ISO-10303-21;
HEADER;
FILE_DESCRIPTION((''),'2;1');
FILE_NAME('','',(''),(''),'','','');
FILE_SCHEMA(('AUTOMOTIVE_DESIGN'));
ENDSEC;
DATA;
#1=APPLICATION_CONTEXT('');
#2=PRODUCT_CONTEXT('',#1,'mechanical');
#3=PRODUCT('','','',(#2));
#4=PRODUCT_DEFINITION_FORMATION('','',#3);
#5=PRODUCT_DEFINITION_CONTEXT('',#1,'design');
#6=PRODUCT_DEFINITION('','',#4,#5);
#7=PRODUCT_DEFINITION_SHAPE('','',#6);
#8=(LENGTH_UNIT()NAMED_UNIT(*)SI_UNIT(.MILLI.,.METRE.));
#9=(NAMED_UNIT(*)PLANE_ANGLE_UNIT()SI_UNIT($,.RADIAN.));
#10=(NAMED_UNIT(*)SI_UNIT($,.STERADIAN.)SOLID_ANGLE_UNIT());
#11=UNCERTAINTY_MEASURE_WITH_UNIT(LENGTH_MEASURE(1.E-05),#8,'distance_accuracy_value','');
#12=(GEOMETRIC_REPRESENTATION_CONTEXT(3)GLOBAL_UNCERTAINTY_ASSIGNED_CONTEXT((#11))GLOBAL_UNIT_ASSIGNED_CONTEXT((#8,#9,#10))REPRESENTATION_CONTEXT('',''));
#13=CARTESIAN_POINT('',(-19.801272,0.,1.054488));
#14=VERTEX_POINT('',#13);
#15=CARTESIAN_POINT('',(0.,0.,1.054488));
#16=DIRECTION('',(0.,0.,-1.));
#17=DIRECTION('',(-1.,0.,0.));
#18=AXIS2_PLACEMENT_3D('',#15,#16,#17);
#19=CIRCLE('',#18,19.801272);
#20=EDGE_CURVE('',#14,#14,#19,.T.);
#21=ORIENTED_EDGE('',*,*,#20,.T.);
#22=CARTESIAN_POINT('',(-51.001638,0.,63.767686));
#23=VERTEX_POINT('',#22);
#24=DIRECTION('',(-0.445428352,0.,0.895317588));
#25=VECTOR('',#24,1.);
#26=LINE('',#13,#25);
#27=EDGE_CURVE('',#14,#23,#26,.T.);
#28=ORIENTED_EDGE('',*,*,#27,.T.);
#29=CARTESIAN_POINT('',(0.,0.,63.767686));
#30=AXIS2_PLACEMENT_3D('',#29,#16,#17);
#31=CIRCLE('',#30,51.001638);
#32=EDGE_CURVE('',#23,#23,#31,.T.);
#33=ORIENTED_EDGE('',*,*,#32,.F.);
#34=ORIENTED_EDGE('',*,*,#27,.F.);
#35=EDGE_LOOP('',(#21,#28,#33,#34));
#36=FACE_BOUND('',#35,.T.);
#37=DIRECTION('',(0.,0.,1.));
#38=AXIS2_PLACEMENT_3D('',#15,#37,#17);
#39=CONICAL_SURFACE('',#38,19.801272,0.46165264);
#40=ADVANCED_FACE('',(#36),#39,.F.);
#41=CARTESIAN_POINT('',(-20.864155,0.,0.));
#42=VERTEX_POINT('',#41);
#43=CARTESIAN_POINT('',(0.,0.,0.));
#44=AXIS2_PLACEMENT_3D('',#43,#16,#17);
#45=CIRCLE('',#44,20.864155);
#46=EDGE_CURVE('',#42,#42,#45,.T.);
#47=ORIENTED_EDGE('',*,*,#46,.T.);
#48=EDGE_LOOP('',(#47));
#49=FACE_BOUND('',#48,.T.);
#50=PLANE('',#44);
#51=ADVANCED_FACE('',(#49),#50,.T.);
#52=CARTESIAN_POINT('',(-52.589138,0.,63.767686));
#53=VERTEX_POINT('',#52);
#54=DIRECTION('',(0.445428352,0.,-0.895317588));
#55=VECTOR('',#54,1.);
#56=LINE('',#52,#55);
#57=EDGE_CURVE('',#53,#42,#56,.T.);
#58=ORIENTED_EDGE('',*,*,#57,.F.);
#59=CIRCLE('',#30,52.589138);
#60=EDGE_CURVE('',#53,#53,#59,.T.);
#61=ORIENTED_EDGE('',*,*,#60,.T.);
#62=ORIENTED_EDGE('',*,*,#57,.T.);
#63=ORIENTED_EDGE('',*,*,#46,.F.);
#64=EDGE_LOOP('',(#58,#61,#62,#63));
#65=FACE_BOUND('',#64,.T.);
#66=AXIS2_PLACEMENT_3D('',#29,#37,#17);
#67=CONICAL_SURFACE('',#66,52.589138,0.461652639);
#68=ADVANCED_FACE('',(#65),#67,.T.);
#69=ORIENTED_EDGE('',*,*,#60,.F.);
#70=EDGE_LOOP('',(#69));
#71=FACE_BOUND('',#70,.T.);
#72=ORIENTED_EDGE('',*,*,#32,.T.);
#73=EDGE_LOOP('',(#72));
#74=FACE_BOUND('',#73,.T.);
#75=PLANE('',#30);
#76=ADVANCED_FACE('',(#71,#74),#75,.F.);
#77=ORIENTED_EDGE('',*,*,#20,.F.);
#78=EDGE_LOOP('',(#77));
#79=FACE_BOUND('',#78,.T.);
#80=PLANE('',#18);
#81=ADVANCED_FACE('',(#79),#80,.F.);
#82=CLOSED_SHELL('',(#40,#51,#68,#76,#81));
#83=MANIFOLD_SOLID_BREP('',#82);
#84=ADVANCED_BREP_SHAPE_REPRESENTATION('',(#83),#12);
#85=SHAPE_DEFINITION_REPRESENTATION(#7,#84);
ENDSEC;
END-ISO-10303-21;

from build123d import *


with BuildPart() as f1:
    # F0 (on Front) → F1 (revolve)
    with BuildSketch(Plane.XZ):
        Polygon((-20.864155, 0), (0, 0), (0, 1.054488), (-19.801272, 1.054488), (-51.001638, 63.767686), (-52.589138, 63.767686), align=None)
    revolve(axis=Axis((0, 0, 0.527244), (0, 0, -1)))


solid = f1.part
